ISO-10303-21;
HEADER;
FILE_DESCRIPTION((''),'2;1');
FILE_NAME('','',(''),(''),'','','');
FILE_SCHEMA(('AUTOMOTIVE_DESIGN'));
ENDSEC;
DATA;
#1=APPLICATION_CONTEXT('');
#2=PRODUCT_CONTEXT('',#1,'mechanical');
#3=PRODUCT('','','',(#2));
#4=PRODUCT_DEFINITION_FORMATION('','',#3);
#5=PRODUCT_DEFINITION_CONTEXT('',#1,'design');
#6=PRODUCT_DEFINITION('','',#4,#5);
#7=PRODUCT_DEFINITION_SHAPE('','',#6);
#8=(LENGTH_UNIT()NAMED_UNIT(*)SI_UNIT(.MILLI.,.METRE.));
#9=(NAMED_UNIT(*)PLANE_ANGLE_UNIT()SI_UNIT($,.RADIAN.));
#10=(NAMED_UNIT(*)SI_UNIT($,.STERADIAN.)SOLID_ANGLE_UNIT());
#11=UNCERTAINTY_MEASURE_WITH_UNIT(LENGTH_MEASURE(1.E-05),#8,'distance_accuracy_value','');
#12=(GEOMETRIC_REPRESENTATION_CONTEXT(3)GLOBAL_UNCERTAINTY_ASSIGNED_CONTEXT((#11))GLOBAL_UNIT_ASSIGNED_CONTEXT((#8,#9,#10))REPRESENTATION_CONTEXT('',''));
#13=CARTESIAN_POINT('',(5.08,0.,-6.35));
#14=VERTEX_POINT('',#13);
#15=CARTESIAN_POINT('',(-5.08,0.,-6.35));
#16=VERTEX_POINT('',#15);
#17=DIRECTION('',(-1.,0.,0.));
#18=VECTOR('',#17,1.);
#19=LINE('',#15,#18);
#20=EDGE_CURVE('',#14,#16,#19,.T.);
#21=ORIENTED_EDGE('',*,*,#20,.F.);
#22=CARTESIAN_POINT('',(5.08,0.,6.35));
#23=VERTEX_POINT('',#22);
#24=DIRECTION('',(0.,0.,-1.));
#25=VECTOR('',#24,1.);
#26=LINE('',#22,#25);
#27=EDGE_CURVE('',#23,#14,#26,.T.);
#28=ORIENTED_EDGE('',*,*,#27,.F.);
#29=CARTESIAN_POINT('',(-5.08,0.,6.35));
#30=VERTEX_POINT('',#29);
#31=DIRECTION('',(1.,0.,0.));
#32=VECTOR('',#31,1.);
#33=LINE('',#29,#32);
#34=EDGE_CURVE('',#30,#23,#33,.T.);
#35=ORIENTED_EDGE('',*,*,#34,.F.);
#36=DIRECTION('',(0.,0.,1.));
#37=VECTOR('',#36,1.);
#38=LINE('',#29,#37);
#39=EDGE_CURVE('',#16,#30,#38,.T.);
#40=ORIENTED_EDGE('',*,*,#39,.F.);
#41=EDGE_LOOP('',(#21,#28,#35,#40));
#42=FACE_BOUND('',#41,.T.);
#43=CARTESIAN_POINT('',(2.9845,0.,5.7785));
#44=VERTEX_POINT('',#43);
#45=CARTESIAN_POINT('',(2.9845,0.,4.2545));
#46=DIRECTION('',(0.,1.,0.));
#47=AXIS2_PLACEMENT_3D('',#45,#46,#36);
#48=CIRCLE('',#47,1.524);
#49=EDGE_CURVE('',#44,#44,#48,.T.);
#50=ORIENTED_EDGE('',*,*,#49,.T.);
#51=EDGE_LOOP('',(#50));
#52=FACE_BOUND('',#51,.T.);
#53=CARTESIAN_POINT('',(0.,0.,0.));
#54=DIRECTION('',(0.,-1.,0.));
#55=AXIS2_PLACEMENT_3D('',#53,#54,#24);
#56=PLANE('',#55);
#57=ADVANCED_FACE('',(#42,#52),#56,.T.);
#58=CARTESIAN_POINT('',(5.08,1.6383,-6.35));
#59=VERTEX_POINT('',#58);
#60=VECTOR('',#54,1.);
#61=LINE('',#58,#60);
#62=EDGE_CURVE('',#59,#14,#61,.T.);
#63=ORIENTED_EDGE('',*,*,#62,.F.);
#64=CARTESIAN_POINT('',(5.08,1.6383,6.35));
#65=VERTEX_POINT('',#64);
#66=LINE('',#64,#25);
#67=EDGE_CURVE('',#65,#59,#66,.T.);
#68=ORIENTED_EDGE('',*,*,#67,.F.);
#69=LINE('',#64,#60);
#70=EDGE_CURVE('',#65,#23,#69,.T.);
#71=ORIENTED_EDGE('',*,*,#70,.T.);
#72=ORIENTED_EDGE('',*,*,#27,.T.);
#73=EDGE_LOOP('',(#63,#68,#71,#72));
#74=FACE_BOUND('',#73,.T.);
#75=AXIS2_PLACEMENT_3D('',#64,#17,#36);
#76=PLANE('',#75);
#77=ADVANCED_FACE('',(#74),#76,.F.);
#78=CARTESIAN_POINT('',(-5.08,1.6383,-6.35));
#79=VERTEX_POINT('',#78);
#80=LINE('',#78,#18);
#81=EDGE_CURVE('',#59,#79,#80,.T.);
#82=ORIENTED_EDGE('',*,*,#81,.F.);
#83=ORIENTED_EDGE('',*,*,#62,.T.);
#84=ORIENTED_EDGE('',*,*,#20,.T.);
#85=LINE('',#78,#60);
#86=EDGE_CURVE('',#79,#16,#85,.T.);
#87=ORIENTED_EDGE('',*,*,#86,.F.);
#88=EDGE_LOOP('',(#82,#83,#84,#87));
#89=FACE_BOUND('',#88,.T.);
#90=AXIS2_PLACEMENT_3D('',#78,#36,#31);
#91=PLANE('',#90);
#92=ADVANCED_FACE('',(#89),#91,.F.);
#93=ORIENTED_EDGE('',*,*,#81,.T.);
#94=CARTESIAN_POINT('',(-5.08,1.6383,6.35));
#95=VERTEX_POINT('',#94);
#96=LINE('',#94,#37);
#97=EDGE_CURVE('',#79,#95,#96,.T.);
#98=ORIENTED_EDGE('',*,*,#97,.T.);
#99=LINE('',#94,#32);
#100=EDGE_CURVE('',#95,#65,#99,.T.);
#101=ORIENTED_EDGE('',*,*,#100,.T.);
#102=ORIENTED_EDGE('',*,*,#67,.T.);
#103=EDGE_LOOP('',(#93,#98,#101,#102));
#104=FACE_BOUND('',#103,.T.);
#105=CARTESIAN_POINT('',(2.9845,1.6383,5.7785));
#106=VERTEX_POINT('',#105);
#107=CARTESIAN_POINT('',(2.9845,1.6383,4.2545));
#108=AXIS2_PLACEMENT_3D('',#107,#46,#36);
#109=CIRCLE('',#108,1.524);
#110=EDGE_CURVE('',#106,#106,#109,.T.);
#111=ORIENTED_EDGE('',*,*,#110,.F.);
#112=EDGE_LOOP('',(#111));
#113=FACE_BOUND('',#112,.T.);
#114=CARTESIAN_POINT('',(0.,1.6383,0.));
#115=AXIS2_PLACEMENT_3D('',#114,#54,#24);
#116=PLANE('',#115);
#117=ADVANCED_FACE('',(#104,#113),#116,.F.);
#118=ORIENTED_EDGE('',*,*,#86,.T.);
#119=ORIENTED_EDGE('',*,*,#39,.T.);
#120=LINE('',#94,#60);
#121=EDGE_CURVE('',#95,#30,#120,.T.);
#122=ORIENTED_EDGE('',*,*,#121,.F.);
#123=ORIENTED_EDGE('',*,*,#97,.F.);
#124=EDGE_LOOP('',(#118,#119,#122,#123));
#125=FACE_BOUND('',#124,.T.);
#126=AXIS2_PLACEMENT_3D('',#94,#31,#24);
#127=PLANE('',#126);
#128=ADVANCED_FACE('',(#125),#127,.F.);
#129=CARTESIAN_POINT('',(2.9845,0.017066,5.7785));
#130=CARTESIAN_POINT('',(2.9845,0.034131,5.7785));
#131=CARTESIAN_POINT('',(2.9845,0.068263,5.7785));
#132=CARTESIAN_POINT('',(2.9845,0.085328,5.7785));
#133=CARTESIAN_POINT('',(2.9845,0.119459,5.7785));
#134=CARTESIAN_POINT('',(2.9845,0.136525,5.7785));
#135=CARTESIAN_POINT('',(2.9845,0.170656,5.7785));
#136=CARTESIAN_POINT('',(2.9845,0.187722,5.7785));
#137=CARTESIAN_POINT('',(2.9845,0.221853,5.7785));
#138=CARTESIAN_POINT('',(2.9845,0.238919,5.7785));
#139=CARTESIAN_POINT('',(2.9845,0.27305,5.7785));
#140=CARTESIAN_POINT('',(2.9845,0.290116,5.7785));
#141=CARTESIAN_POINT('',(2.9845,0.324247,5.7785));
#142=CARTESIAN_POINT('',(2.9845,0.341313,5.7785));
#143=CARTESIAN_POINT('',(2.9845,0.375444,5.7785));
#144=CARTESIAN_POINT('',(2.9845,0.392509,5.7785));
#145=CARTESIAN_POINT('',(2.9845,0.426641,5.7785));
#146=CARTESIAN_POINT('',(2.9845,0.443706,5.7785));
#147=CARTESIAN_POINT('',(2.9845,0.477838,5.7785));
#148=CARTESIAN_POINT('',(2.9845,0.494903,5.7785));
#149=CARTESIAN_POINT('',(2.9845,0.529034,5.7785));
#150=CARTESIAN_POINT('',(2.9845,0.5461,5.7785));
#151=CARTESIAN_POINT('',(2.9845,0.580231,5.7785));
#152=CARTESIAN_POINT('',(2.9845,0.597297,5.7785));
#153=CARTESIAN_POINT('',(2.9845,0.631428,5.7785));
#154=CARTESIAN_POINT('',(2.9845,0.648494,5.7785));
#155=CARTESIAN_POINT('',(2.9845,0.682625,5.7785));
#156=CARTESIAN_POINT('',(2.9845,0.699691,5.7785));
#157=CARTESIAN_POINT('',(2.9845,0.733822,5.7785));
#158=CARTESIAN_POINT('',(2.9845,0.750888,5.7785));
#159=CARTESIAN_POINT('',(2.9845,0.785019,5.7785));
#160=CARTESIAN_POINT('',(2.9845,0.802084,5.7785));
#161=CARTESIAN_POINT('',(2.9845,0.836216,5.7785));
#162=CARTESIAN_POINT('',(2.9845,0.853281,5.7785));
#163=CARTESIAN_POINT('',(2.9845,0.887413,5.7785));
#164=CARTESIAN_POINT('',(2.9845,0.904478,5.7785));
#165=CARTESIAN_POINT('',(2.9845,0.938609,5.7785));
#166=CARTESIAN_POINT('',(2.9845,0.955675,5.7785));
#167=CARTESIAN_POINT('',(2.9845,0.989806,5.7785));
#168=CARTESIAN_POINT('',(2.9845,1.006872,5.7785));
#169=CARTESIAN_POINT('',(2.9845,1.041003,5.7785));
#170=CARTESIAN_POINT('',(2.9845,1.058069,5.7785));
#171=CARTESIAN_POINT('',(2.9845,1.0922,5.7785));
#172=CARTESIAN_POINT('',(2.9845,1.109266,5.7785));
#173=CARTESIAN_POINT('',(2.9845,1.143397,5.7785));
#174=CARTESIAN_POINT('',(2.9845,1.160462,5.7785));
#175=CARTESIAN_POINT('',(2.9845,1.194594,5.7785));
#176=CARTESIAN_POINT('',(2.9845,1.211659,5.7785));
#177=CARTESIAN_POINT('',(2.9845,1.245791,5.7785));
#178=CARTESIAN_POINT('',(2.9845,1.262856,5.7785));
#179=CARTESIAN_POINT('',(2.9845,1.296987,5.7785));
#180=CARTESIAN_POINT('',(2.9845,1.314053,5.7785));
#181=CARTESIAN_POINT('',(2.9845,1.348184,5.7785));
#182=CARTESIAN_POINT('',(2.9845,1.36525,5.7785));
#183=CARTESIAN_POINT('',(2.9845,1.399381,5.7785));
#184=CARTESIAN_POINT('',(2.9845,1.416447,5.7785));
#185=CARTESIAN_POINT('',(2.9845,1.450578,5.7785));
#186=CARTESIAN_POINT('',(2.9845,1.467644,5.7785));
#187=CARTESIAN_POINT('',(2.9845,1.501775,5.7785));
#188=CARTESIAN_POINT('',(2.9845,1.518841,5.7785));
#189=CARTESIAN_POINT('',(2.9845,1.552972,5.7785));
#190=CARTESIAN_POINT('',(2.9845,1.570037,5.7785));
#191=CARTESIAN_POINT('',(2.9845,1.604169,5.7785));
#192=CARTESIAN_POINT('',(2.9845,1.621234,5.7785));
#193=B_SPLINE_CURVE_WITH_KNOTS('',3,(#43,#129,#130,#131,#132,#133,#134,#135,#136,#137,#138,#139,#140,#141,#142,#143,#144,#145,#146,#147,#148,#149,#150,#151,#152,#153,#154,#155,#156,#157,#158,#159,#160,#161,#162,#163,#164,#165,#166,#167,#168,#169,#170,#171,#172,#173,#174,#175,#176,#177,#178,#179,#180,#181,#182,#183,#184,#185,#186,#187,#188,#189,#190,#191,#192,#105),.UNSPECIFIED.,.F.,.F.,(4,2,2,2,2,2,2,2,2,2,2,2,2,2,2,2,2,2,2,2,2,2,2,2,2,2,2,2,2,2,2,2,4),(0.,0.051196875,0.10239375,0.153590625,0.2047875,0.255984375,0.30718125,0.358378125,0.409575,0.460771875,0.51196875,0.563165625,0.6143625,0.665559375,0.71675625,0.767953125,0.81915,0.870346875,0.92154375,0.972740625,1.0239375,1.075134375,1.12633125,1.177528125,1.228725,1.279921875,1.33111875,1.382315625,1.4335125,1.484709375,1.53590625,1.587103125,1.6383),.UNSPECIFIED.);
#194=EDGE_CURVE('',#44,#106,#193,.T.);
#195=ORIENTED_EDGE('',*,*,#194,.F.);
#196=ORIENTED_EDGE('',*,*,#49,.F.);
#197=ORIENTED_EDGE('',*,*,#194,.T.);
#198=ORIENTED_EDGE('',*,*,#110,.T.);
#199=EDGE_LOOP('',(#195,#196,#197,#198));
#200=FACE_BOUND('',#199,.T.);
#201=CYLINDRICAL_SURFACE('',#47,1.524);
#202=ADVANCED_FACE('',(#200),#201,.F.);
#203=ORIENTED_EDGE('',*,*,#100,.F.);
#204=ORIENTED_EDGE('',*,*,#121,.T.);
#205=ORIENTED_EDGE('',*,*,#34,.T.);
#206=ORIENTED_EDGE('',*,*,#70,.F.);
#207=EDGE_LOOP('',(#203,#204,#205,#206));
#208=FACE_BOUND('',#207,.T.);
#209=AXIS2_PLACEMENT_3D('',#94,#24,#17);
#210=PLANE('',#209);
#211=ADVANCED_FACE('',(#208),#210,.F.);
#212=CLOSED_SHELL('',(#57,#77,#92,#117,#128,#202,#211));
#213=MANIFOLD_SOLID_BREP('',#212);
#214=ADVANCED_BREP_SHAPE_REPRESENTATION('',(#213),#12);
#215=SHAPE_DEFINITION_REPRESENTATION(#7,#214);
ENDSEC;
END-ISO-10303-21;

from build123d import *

# Parameters (mm, degrees)
SKETCH1_W           = 10.16
SKETCH1_H           = 12.7
BOSS_EXTRUDE1_DEPTH = 1.6383
SKETCH2_R           = 1.524
CUT_EXTRUDE1_DEPTH  = 1.6383


with BuildPart() as part:
    # Sketch1 → Boss-Extrude1 (new body)
    with BuildSketch(Plane(origin=(0, 0, 0), x_dir=(1, 0, 0), z_dir=(0, 1, 0))):
        Rectangle(SKETCH1_W, SKETCH1_H)
    extrude(amount=BOSS_EXTRUDE1_DEPTH)

    # Sketch2 → Cut-Extrude1 (cut)
    with BuildSketch(Plane(origin=(0, 1.6383, 0), x_dir=(1, 0, 0), z_dir=(0, 1, 0))):
        with Locations(Location((2.9845, -4.2545, 0), (0, 0, 270))):
            Circle(SKETCH2_R)
    extrude(amount=-CUT_EXTRUDE1_DEPTH, mode=Mode.SUBTRACT)


solid = part.part
